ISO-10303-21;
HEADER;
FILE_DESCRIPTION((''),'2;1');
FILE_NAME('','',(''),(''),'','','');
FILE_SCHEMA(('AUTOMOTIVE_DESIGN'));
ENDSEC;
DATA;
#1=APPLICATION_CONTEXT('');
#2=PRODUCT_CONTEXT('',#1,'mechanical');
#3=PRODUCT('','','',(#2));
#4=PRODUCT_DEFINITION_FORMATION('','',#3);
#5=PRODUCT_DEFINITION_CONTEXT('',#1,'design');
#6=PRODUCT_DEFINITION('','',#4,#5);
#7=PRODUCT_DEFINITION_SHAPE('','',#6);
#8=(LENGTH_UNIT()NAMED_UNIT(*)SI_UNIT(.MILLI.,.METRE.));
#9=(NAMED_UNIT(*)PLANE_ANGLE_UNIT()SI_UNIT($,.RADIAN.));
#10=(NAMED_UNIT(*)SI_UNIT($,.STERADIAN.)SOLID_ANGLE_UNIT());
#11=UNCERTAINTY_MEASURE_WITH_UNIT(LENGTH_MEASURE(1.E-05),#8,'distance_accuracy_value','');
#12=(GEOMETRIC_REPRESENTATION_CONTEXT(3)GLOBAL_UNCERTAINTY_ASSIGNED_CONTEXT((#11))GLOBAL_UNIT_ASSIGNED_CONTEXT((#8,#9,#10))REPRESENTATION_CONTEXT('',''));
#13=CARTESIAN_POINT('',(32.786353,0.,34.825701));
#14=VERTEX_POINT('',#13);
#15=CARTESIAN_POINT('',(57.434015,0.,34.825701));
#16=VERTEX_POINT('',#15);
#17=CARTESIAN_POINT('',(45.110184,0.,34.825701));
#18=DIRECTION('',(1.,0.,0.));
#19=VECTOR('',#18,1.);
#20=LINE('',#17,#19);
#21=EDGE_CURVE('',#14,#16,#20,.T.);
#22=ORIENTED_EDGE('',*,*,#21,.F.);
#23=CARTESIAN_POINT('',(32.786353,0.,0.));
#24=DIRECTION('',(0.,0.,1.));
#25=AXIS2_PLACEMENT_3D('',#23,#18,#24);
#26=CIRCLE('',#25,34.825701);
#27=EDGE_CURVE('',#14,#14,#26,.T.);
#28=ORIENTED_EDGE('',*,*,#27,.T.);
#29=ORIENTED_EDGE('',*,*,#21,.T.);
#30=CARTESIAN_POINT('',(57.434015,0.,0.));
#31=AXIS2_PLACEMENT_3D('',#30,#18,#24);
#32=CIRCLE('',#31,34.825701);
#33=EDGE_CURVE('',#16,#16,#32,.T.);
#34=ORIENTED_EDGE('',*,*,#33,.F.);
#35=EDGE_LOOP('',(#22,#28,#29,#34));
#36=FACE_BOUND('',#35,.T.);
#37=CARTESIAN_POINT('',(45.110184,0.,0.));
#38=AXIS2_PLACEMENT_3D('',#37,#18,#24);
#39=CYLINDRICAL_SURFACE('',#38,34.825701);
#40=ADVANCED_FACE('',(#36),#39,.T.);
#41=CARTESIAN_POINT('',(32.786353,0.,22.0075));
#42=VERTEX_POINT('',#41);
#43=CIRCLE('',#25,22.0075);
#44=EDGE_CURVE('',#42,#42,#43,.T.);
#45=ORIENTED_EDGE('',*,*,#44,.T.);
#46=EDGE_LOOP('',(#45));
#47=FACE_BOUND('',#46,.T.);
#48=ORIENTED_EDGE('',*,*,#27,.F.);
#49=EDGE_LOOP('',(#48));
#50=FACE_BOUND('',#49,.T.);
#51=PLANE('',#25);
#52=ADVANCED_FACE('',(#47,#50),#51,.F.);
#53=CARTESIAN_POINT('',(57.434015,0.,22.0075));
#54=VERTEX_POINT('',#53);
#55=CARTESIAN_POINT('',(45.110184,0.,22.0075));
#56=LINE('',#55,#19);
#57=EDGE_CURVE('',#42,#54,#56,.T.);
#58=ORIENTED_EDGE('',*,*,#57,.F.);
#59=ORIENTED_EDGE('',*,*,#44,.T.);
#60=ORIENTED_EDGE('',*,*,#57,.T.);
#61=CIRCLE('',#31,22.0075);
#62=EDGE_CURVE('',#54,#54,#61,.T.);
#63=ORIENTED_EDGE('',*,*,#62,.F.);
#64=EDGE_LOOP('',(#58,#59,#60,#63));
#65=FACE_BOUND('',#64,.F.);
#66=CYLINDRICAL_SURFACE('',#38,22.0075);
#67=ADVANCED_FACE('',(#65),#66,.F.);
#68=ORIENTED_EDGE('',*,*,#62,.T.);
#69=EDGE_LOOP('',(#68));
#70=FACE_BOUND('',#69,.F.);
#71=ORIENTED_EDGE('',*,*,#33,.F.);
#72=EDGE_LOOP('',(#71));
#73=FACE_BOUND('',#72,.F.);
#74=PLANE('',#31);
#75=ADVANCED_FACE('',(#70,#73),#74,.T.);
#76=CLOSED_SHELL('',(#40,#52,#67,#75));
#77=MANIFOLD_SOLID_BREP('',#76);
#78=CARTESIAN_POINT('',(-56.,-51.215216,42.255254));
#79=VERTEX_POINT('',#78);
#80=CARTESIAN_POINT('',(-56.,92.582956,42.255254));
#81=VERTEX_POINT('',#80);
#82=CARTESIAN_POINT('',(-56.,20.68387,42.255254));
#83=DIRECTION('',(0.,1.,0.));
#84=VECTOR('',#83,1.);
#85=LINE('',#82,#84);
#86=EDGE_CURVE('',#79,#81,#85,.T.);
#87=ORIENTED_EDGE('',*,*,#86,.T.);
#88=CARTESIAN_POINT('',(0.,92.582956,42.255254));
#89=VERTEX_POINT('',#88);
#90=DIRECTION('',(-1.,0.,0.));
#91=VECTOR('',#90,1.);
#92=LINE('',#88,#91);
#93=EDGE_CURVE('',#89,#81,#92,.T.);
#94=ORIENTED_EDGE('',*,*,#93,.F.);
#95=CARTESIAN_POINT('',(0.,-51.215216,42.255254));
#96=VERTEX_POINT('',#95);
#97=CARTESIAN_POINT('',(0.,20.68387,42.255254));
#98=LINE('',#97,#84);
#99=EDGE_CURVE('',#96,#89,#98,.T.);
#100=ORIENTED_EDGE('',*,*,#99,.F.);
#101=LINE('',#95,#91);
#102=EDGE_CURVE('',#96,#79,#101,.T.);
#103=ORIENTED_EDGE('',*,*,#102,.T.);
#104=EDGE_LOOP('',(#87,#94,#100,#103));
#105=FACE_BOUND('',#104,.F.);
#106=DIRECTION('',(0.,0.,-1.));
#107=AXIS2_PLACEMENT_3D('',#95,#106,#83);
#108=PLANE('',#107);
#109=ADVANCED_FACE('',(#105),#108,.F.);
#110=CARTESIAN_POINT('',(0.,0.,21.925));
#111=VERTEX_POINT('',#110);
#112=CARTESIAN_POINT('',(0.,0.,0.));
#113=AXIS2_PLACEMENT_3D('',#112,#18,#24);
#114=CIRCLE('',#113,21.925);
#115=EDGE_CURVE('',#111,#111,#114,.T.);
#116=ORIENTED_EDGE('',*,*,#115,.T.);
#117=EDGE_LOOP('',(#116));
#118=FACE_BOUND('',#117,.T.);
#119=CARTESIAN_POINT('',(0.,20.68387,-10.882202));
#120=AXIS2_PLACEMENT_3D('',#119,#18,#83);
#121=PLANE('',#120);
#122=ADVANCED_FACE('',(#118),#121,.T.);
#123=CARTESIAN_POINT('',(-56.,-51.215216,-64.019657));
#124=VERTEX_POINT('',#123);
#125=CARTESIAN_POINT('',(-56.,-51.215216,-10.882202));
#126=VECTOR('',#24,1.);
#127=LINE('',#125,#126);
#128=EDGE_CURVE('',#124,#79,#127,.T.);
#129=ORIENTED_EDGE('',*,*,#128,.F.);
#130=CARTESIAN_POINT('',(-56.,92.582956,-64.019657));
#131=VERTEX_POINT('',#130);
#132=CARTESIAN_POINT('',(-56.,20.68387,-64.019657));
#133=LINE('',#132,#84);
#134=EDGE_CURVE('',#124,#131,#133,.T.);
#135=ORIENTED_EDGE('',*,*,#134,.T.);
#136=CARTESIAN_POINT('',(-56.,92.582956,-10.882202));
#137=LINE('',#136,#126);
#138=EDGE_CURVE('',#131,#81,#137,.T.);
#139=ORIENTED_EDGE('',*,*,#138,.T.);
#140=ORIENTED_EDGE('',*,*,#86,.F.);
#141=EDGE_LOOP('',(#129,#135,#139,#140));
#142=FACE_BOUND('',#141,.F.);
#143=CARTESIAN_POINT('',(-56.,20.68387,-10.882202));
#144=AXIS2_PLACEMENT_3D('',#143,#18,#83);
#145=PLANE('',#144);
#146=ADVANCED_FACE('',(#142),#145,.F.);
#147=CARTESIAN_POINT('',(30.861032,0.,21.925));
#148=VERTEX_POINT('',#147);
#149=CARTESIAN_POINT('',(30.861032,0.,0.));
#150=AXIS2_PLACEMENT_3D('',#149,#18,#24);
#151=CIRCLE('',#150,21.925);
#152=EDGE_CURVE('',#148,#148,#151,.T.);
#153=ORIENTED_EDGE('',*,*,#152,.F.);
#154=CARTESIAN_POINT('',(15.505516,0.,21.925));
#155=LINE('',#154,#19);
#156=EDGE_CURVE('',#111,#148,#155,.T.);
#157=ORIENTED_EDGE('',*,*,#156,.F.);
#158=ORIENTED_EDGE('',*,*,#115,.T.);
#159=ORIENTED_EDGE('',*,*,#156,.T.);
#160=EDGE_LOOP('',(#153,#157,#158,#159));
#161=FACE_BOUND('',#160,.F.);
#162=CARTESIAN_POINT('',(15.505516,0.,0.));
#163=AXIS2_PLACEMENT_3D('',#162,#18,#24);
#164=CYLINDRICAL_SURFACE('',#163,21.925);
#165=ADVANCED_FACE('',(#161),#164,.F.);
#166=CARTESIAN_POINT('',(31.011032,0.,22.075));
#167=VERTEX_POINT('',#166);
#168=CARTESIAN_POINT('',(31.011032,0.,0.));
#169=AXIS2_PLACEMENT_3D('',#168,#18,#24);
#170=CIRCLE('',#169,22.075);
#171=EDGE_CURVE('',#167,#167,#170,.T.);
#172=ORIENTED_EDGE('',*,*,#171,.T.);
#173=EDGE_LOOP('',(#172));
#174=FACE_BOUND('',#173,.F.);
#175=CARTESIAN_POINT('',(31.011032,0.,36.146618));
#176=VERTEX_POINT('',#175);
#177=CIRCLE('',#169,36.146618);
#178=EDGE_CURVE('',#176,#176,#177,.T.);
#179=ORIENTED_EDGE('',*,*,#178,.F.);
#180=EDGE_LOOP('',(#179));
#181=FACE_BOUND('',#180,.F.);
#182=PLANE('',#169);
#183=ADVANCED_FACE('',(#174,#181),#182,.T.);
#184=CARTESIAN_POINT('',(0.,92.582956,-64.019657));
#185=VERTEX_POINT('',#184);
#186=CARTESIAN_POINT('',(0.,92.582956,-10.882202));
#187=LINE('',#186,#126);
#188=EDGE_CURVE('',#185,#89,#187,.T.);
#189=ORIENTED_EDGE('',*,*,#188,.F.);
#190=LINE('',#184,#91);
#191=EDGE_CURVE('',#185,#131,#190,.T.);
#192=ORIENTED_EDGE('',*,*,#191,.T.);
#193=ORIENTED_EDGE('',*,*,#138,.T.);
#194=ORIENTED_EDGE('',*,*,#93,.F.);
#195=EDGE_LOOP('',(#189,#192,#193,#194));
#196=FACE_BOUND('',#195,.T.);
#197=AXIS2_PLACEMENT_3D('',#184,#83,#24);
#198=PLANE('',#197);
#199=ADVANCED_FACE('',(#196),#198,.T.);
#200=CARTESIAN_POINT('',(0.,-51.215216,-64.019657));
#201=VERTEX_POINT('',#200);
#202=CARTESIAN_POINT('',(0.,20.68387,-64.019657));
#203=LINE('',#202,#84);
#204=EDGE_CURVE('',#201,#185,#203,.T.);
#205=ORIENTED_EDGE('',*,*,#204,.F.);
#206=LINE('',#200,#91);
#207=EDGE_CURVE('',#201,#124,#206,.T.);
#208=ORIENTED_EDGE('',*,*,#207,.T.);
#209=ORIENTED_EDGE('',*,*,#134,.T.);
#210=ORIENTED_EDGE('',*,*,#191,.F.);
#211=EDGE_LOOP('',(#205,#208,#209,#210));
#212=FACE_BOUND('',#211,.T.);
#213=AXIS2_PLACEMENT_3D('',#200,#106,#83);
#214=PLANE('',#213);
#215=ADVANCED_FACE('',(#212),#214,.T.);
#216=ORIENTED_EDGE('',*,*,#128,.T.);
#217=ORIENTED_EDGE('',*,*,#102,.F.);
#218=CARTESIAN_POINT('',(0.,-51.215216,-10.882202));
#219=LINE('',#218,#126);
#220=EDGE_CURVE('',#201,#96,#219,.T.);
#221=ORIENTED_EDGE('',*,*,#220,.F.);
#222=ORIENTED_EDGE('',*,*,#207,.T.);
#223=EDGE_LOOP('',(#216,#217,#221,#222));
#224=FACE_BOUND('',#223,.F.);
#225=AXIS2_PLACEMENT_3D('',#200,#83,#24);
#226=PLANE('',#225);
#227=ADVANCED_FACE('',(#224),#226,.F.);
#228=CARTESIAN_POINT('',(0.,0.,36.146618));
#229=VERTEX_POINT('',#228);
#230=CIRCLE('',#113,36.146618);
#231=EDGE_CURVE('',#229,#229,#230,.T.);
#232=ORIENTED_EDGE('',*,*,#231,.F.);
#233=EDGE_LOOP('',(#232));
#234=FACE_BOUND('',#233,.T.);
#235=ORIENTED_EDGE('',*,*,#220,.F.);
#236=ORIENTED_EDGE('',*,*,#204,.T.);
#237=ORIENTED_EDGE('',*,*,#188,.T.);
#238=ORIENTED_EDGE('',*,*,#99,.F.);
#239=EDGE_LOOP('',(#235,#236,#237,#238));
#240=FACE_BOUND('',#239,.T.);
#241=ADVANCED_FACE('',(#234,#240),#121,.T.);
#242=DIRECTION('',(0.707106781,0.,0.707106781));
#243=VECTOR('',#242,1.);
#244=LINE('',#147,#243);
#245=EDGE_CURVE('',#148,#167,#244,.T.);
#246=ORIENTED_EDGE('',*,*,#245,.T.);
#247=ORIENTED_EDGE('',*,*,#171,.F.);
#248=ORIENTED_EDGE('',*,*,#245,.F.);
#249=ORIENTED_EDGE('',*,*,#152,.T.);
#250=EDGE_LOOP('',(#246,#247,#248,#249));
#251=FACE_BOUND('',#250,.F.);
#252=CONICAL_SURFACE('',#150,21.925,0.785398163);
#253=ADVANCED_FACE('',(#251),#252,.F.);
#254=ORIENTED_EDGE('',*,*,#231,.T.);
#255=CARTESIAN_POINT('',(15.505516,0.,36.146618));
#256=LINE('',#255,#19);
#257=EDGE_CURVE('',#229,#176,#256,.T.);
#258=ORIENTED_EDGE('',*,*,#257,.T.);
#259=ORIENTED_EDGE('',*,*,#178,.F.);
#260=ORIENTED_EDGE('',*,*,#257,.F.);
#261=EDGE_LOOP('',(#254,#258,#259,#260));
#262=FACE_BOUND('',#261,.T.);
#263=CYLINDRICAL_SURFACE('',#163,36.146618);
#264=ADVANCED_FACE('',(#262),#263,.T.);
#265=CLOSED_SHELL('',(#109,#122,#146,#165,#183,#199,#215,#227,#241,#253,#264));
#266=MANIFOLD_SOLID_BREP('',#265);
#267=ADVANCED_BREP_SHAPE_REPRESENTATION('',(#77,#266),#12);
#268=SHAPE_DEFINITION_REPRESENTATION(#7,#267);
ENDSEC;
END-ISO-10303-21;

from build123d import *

# Parameters (mm, degrees)
F0_W     = 31.011032
F0_H     = 14.221618
F4_SIZE  = 0.15
F1_W     = 24.647661
F1_H     = 12.818201
F6_W     = 143.798173
F6_H     = 106.274911
F7_DEPTH = 56


with BuildPart() as f3:
    # F0 (on Front) → F3 (revolve)
    with BuildSketch(Plane.XZ):
        with Locations((15.505516, 29.035809)):
            Rectangle(F0_W, F0_H)
    revolve(axis=Axis((25.191288, 0, 0), (1, 0, 0)))

    # F4
    f4_edges = [f3.edges().sort_by_distance(p)[0] for p in [
        (31.011032, 0, -21.925),
    ]]
    chamfer(f4_edges, length=F4_SIZE)

    # F6 (on Right) → F7 (join)
    with BuildSketch(Plane.YZ):
        with Locations((20.68387, -10.882202)):
            Rectangle(F6_W, F6_H)
    extrude(amount=-F7_DEPTH)


with BuildPart() as f5:
    # F1 (on Front) → F5 (revolve)
    with BuildSketch(Plane.XZ):
        with Locations((45.110184, 28.4166)):
            Rectangle(F1_W, F1_H)
    revolve(axis=Axis((25.191288, 0, 0), (1, 0, 0)))


solid = Compound([f3.part, f5.part])
